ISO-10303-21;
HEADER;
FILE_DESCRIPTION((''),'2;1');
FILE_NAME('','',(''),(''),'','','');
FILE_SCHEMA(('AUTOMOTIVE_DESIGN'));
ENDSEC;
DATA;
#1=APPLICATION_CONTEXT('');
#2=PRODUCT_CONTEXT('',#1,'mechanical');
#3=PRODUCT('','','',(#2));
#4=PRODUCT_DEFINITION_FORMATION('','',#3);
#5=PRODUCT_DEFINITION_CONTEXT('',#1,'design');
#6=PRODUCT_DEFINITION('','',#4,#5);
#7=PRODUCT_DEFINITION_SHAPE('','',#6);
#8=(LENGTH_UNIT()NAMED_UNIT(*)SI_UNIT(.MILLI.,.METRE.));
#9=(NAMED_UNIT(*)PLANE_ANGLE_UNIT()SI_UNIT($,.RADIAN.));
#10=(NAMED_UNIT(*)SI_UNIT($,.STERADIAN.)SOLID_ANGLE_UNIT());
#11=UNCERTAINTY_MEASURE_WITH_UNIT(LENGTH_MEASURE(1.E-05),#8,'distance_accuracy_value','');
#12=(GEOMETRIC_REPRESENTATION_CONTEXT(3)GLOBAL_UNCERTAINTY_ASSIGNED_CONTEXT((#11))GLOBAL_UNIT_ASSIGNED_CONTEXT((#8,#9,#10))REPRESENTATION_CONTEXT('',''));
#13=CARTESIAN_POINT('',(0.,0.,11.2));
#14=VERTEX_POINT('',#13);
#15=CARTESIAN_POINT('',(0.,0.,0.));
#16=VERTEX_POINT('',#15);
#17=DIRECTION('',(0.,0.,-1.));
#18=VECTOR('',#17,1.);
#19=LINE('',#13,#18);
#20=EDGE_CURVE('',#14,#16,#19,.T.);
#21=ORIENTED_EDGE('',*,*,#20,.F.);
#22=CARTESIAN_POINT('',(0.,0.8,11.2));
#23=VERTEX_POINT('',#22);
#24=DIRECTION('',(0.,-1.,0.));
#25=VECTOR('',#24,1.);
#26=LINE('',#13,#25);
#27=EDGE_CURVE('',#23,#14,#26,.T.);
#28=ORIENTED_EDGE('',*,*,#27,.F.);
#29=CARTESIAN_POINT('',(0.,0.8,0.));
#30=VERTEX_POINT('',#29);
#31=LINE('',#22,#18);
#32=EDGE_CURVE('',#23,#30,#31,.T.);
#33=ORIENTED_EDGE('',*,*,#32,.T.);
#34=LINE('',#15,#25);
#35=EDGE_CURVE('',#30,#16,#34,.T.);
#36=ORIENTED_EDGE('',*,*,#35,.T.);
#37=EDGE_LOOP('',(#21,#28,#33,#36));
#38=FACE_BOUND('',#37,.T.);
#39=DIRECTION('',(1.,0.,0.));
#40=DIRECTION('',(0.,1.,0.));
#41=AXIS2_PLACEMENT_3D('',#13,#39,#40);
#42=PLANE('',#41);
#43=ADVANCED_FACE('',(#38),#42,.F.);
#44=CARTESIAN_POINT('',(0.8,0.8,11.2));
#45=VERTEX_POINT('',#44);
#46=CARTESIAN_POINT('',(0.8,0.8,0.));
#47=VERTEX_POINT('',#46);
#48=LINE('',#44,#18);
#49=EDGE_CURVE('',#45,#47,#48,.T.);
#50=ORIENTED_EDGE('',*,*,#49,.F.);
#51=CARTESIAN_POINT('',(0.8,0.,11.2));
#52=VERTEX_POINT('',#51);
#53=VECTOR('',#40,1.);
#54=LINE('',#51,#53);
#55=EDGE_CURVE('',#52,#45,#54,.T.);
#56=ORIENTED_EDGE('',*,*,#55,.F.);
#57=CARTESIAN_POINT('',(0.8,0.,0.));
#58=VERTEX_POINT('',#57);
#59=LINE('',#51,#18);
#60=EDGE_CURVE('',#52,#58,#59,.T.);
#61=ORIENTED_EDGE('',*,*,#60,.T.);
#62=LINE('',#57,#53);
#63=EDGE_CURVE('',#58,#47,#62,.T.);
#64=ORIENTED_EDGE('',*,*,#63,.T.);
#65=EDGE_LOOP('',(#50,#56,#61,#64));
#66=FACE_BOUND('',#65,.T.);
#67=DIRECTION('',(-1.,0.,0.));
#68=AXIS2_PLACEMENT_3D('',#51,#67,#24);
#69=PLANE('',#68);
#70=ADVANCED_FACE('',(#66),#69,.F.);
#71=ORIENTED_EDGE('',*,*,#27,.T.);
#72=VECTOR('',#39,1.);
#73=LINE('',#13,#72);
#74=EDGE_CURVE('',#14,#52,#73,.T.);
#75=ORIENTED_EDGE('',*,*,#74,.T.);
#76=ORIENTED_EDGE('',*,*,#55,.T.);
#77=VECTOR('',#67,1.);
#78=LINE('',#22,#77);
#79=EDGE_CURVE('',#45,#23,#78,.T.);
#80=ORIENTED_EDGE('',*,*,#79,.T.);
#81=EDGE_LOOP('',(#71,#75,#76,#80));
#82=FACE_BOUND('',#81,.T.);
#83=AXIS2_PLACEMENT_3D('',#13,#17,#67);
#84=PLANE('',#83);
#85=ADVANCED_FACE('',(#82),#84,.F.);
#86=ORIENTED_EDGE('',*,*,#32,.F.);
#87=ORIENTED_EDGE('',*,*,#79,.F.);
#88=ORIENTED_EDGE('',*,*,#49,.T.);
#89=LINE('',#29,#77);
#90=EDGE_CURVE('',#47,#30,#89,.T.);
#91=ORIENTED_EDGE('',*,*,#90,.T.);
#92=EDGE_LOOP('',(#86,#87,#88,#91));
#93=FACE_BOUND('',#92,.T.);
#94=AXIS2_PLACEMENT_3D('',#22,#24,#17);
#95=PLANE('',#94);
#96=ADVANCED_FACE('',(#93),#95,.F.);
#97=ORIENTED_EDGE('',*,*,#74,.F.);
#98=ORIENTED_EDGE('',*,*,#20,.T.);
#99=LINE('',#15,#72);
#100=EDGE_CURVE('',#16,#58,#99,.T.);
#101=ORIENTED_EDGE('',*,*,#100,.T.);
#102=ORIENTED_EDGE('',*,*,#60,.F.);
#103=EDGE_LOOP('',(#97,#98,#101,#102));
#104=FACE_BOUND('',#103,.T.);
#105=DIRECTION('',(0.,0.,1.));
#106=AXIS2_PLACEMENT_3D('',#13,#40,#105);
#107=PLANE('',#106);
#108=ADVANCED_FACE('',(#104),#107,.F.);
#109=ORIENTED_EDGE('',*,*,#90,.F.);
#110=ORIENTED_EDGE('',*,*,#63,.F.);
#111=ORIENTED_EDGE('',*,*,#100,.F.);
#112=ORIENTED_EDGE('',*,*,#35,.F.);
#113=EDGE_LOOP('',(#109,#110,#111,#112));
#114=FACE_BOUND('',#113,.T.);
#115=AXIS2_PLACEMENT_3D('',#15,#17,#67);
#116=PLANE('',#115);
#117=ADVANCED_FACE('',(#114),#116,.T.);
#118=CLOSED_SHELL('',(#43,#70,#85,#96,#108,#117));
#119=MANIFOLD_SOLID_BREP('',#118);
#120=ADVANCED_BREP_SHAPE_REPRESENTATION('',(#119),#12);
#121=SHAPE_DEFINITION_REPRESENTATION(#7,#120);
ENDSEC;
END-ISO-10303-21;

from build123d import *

# Parameters (mm, degrees)
SKICA1_W                = 0.8
SKICA1_H                = 0.8
P_IDAT_VYSUNUT_M1_DEPTH = 11.2


with BuildPart() as part:
    # Skica1 → Přidat vysunutím1 (new body)
    with BuildSketch(Plane.XY):
        with Locations((0.4, 0.4)):
            Rectangle(SKICA1_W, SKICA1_H)
    extrude(amount=P_IDAT_VYSUNUT_M1_DEPTH)


solid = part.part
